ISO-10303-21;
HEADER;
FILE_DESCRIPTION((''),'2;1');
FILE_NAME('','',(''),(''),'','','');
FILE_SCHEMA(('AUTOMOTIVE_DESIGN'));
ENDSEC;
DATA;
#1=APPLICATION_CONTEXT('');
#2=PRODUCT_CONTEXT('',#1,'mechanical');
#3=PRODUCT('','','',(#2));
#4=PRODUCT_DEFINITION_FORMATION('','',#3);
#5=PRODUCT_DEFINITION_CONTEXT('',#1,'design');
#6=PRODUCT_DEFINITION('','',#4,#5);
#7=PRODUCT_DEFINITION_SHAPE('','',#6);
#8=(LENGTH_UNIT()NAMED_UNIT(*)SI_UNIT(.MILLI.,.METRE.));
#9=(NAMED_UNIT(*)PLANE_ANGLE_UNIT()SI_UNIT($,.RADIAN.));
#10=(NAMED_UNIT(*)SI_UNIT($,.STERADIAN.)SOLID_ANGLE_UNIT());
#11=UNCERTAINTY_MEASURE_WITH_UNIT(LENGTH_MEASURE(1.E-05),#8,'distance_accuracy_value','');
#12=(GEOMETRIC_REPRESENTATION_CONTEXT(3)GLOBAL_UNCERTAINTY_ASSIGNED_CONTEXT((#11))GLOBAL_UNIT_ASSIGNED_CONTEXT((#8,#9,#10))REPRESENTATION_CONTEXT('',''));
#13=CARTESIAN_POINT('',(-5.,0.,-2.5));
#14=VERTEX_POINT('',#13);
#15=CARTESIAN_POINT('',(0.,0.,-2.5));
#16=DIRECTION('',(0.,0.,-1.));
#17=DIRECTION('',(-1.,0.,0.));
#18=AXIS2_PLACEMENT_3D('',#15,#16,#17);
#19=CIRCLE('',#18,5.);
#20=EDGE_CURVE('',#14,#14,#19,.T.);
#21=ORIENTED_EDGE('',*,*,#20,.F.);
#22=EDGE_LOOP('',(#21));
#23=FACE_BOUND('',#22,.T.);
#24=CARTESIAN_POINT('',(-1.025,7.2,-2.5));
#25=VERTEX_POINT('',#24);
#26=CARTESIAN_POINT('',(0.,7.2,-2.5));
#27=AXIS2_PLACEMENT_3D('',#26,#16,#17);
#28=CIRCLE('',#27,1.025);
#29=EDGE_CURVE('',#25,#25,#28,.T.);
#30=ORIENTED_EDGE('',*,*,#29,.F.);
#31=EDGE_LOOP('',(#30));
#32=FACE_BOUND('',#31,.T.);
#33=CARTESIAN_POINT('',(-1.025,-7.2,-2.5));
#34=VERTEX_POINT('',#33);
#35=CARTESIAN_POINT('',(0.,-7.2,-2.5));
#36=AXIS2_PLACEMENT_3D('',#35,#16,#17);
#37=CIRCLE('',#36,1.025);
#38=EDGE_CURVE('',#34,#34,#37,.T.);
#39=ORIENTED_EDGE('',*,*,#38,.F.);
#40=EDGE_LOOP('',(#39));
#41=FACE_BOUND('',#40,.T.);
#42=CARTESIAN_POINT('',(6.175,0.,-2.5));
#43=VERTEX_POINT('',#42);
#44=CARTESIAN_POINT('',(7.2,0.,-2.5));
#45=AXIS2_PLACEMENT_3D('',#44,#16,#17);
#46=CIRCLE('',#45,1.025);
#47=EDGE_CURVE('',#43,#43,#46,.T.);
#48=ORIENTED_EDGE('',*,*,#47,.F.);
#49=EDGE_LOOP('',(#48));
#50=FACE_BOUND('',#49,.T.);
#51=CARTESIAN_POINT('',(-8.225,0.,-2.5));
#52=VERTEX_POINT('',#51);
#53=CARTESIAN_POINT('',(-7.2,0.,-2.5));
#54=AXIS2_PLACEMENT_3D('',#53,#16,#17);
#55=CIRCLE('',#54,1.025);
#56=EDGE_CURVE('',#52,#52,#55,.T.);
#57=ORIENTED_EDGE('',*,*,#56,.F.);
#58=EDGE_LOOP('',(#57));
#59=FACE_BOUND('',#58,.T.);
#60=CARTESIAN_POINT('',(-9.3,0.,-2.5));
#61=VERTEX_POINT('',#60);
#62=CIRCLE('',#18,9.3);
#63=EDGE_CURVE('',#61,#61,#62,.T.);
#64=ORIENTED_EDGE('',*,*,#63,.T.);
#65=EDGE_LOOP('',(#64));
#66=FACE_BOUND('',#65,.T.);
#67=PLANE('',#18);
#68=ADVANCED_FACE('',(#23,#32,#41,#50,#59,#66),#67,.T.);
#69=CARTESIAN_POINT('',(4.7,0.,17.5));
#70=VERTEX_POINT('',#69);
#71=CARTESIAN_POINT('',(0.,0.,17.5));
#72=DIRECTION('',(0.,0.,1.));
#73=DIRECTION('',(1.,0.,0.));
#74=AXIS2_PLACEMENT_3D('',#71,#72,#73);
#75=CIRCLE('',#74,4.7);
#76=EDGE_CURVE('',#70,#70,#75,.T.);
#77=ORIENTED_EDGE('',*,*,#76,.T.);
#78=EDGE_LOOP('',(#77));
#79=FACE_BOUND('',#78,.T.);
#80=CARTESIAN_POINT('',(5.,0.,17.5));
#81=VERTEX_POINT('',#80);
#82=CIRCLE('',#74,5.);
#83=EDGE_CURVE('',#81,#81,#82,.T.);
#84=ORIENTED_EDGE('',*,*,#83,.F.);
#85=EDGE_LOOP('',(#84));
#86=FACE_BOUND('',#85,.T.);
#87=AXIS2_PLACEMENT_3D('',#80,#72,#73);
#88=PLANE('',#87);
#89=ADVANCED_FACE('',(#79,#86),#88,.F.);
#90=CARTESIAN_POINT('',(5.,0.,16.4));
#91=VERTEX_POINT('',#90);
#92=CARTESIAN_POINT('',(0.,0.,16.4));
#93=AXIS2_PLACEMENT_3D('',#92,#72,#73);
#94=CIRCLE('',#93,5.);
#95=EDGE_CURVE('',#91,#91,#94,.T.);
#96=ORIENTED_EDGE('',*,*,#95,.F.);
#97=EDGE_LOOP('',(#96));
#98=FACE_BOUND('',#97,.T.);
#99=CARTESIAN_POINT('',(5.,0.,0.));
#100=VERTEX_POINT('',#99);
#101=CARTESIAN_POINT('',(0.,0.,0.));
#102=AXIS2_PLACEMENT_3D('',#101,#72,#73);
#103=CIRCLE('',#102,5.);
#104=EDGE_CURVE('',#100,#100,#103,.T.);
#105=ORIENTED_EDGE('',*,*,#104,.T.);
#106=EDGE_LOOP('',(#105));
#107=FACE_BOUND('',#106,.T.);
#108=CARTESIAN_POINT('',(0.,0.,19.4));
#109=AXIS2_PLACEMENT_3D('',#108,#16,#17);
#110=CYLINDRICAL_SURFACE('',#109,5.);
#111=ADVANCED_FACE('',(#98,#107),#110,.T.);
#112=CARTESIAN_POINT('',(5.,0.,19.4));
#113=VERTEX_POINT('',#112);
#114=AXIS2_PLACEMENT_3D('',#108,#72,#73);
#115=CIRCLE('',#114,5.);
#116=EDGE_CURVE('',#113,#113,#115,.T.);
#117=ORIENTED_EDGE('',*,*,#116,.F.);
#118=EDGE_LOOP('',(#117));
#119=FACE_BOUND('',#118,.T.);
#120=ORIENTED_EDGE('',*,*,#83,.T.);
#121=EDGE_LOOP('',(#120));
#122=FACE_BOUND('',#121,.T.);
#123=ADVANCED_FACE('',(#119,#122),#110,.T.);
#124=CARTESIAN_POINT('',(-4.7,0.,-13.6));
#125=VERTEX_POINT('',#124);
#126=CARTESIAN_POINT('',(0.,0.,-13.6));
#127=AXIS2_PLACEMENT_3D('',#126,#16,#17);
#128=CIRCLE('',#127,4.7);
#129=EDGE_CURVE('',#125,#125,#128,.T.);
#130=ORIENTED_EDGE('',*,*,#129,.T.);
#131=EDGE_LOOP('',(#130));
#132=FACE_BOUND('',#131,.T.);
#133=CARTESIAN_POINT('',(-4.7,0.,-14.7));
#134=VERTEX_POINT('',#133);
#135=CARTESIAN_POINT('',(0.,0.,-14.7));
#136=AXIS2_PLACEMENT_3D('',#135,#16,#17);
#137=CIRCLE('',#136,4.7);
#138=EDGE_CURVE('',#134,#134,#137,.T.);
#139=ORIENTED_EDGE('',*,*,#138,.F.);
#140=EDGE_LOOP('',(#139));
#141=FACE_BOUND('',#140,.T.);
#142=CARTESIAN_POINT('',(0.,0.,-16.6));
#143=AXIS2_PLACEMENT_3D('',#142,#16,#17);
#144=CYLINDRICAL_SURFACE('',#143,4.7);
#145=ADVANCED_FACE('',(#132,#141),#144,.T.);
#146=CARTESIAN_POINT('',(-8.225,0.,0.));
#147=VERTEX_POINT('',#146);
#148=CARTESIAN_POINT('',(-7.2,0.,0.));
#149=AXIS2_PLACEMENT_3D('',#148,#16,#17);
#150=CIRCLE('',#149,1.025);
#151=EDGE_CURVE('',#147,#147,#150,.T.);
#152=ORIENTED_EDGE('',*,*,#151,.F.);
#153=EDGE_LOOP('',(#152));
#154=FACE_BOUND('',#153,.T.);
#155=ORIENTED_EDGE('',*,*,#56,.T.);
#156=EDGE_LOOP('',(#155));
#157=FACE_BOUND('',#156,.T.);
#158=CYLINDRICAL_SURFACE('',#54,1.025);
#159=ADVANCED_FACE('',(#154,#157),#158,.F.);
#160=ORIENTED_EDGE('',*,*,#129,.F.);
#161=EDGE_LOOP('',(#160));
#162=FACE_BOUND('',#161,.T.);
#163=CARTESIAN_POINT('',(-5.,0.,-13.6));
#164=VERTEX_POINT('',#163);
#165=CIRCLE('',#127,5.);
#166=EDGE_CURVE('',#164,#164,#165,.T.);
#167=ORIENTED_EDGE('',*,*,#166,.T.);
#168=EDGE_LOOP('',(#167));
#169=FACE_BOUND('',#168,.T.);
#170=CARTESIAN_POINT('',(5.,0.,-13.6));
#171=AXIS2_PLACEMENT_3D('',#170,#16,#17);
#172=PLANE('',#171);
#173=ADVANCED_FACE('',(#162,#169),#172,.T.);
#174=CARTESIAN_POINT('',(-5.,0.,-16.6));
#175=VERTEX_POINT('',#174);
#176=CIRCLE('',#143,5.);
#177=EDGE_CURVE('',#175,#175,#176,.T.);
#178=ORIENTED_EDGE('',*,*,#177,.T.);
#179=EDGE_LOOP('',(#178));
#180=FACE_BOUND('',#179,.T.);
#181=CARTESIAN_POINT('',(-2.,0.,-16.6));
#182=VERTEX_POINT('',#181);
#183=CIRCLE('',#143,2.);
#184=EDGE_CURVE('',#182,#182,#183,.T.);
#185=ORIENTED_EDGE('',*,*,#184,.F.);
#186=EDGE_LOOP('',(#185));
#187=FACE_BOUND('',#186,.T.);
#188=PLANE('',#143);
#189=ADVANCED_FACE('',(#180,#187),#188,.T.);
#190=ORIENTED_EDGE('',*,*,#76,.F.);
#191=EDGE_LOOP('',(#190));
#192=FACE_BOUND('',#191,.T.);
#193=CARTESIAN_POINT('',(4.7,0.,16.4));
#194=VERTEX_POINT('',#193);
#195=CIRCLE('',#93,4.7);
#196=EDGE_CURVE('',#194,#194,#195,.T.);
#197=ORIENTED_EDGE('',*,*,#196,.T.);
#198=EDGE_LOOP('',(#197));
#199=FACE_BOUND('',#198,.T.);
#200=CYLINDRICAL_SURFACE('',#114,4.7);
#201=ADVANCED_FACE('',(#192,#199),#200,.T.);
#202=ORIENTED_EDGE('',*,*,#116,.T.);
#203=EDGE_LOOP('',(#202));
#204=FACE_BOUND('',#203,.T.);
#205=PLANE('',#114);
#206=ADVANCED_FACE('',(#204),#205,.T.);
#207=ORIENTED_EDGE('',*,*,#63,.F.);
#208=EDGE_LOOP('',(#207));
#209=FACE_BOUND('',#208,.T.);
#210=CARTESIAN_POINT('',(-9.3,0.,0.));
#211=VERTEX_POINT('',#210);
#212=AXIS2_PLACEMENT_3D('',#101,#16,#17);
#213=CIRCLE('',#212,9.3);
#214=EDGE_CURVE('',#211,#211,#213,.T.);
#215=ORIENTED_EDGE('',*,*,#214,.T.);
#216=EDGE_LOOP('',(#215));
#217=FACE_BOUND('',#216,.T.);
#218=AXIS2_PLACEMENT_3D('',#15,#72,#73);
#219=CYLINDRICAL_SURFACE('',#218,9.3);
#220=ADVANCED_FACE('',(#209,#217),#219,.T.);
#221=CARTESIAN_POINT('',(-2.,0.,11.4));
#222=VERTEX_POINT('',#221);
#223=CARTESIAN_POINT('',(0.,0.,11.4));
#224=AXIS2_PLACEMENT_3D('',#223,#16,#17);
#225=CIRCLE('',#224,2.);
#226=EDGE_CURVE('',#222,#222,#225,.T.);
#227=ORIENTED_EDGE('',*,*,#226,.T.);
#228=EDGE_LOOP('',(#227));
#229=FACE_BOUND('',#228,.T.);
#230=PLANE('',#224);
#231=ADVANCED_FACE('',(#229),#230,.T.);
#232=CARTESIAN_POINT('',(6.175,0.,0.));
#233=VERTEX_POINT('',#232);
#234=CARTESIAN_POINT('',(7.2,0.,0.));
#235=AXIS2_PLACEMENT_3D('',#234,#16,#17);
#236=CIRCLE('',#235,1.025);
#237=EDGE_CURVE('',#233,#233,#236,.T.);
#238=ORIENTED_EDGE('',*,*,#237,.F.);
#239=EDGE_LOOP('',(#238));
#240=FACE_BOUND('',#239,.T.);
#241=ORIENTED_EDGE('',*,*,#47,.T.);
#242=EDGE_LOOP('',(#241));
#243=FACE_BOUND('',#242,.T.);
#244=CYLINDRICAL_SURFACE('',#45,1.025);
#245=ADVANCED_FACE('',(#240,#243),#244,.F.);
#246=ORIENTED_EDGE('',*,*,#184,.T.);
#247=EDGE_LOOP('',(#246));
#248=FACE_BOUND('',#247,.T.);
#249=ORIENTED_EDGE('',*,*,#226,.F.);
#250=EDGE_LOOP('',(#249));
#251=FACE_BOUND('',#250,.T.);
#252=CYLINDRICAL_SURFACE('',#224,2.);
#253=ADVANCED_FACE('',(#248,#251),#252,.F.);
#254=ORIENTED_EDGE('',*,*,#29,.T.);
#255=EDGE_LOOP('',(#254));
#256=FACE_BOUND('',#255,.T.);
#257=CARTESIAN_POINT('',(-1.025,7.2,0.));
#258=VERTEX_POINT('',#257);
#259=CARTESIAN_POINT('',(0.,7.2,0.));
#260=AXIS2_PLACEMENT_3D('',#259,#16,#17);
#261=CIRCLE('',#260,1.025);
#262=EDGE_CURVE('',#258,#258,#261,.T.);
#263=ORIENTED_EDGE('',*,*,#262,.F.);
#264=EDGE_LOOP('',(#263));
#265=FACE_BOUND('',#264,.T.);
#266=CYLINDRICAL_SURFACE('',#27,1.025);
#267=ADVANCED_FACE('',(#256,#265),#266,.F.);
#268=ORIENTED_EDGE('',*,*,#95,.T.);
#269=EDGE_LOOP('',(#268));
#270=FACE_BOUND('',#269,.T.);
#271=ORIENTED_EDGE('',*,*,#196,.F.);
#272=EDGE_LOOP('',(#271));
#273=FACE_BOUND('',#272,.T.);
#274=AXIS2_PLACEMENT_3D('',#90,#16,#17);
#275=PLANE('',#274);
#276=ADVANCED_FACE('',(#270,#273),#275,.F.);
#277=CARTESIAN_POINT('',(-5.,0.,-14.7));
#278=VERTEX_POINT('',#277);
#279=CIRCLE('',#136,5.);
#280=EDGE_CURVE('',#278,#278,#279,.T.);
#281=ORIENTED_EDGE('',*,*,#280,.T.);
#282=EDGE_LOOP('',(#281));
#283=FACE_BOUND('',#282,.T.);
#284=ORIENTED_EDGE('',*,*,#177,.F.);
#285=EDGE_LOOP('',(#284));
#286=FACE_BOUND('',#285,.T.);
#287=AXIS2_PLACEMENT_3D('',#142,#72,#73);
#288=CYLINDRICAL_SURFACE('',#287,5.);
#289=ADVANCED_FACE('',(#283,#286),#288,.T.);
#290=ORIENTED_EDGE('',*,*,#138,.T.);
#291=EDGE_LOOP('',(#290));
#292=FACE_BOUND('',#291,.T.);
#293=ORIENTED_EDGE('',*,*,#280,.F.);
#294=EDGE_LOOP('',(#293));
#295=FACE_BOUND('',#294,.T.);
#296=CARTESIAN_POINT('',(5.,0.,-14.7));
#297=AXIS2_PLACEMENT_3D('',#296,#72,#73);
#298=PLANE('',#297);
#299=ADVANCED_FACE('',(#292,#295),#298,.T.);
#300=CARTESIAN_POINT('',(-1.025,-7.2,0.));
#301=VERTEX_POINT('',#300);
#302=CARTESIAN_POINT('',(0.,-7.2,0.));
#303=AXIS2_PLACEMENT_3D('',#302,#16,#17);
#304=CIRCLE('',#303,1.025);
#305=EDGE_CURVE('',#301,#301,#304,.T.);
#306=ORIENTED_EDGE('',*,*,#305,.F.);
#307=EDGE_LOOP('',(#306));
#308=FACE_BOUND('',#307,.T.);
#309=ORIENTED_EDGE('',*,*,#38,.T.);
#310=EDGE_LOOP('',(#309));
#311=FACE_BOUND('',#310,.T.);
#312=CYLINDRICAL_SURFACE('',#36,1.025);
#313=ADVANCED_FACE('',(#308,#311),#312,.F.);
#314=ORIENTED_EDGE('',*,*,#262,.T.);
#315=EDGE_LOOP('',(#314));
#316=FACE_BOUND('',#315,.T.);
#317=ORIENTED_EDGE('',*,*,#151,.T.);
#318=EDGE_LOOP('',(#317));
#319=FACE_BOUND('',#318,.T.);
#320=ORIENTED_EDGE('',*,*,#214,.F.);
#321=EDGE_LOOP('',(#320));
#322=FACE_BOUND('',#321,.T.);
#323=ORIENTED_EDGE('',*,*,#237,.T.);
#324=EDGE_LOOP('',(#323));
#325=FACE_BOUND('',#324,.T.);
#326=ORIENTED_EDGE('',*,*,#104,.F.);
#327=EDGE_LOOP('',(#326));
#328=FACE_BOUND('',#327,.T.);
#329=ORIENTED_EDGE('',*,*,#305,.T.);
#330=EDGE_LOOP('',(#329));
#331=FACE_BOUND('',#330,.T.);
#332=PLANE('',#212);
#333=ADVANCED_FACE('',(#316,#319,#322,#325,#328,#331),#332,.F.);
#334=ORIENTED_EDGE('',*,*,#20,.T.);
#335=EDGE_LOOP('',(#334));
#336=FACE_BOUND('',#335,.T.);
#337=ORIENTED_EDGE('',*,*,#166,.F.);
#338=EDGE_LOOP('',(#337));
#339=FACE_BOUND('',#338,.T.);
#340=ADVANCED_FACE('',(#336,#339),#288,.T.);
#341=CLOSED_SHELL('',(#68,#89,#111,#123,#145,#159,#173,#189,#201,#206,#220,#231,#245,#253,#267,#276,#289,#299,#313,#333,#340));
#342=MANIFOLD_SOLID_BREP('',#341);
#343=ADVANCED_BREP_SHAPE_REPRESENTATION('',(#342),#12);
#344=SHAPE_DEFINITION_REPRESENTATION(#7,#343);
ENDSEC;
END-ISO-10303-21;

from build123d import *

# Parameters (mm, degrees)
SKETCH_1_R               = 5
EXTRUDE_1_DEPTH          = 19.4
SKETCH_2_R               = 9.3
EXTRUDE_2_DEPTH          = 2.5
EXTRUDE_START            = 14.1
SKETCH_3_R               = 5
EXTRUDE_3_DEPTH          = 14.1
SKETCH_5_W               = 0.3
SKETCH_5_H               = 1.1
SKETCH_6_W               = 0.3
SKETCH_6_H               = 1.1
HOLE_WIZARD_M2_5_2_D     = 2.05
HOLE_WIZARD_M2_5_2_DEPTH = 7.25
HOLE_WIZARD_M2_5_2_TIP   = 0.591784026
SKETCH_12_R              = 2
CUT_EXTRUDE_1_DEPTH      = 28


with BuildPart() as part:
    # 草图1 → 凸台-拉伸1 (new body)
    with BuildSketch(Plane.XY):
        Circle(SKETCH_1_R)
    extrude(amount=EXTRUDE_1_DEPTH)

    # 草图2 → 凸台-拉伸2 (add)
    with BuildSketch(Plane(origin=(0, 0, 0), x_dir=(-1, 0, 0), z_dir=(0, 0, -1))):
        Circle(SKETCH_2_R)
    extrude(amount=EXTRUDE_2_DEPTH)

    # 草图3 → 凸台-拉伸3 (add)
    with BuildSketch(Plane(origin=(0, 0, -2.5), x_dir=(-1, 0, 0), z_dir=(0, 0, -1)).offset(EXTRUDE_START)):
        with Locations(Location((0, 0, 0), (0, 0, 180))):
            Circle(SKETCH_3_R)
    extrude(amount=-EXTRUDE_3_DEPTH)

    # 草图5 → 切除-旋转3 (revolve, cut)
    with BuildSketch(Plane(origin=(0, 0, 0), x_dir=(1, 0, 0), z_dir=(0, 1, 0)), mode=Mode.PRIVATE) as cut_revolve_3_sk:
        with Locations((4.85, 14.15)):
            Rectangle(SKETCH_5_W, SKETCH_5_H)
    revolve(cut_revolve_3_sk.sketch.rotate(Axis((0, 0, -16.6), (0, 0, 1)), 180), axis=Axis((0, 0, -16.6), (0, 0, 1)), mode=Mode.SUBTRACT)

    # 草图6 → 切除-旋转4 (revolve, cut)
    with BuildSketch(Plane(origin=(0, 0, 0), x_dir=(1, 0, 0), z_dir=(0, 1, 0))):
        with Locations((4.85, -16.95)):
            Rectangle(SKETCH_6_W, SKETCH_6_H)
    revolve(axis=Axis((0, 0, 19.4), (0, 0, -1)), mode=Mode.SUBTRACT)

    # M2.5 螺纹孔2
    with Locations(Plane(origin=(0, 7.2, -2.5), x_dir=(-1, 0, 0), z_dir=(0, 0, -1))):
        with Locations((0, 0), (7.2, -7.2), (-7.2, -7.2), (0, -14.4)):
            Hole(HOLE_WIZARD_M2_5_2_D / 2, depth=HOLE_WIZARD_M2_5_2_DEPTH)
            with Locations((0, 0, -(HOLE_WIZARD_M2_5_2_DEPTH + HOLE_WIZARD_M2_5_2_TIP / 2))):  # 120° drill point
                Cone(0, HOLE_WIZARD_M2_5_2_D / 2, HOLE_WIZARD_M2_5_2_TIP, mode=Mode.SUBTRACT)

    # 草图12 → 切除-拉伸1 (cut)
    with BuildSketch(Plane(origin=(0, 0, -16.6), x_dir=(-1, 0, 0), z_dir=(0, 0, -1))):
        Circle(SKETCH_12_R)
    extrude(amount=-CUT_EXTRUDE_1_DEPTH, mode=Mode.SUBTRACT)


solid = part.part
